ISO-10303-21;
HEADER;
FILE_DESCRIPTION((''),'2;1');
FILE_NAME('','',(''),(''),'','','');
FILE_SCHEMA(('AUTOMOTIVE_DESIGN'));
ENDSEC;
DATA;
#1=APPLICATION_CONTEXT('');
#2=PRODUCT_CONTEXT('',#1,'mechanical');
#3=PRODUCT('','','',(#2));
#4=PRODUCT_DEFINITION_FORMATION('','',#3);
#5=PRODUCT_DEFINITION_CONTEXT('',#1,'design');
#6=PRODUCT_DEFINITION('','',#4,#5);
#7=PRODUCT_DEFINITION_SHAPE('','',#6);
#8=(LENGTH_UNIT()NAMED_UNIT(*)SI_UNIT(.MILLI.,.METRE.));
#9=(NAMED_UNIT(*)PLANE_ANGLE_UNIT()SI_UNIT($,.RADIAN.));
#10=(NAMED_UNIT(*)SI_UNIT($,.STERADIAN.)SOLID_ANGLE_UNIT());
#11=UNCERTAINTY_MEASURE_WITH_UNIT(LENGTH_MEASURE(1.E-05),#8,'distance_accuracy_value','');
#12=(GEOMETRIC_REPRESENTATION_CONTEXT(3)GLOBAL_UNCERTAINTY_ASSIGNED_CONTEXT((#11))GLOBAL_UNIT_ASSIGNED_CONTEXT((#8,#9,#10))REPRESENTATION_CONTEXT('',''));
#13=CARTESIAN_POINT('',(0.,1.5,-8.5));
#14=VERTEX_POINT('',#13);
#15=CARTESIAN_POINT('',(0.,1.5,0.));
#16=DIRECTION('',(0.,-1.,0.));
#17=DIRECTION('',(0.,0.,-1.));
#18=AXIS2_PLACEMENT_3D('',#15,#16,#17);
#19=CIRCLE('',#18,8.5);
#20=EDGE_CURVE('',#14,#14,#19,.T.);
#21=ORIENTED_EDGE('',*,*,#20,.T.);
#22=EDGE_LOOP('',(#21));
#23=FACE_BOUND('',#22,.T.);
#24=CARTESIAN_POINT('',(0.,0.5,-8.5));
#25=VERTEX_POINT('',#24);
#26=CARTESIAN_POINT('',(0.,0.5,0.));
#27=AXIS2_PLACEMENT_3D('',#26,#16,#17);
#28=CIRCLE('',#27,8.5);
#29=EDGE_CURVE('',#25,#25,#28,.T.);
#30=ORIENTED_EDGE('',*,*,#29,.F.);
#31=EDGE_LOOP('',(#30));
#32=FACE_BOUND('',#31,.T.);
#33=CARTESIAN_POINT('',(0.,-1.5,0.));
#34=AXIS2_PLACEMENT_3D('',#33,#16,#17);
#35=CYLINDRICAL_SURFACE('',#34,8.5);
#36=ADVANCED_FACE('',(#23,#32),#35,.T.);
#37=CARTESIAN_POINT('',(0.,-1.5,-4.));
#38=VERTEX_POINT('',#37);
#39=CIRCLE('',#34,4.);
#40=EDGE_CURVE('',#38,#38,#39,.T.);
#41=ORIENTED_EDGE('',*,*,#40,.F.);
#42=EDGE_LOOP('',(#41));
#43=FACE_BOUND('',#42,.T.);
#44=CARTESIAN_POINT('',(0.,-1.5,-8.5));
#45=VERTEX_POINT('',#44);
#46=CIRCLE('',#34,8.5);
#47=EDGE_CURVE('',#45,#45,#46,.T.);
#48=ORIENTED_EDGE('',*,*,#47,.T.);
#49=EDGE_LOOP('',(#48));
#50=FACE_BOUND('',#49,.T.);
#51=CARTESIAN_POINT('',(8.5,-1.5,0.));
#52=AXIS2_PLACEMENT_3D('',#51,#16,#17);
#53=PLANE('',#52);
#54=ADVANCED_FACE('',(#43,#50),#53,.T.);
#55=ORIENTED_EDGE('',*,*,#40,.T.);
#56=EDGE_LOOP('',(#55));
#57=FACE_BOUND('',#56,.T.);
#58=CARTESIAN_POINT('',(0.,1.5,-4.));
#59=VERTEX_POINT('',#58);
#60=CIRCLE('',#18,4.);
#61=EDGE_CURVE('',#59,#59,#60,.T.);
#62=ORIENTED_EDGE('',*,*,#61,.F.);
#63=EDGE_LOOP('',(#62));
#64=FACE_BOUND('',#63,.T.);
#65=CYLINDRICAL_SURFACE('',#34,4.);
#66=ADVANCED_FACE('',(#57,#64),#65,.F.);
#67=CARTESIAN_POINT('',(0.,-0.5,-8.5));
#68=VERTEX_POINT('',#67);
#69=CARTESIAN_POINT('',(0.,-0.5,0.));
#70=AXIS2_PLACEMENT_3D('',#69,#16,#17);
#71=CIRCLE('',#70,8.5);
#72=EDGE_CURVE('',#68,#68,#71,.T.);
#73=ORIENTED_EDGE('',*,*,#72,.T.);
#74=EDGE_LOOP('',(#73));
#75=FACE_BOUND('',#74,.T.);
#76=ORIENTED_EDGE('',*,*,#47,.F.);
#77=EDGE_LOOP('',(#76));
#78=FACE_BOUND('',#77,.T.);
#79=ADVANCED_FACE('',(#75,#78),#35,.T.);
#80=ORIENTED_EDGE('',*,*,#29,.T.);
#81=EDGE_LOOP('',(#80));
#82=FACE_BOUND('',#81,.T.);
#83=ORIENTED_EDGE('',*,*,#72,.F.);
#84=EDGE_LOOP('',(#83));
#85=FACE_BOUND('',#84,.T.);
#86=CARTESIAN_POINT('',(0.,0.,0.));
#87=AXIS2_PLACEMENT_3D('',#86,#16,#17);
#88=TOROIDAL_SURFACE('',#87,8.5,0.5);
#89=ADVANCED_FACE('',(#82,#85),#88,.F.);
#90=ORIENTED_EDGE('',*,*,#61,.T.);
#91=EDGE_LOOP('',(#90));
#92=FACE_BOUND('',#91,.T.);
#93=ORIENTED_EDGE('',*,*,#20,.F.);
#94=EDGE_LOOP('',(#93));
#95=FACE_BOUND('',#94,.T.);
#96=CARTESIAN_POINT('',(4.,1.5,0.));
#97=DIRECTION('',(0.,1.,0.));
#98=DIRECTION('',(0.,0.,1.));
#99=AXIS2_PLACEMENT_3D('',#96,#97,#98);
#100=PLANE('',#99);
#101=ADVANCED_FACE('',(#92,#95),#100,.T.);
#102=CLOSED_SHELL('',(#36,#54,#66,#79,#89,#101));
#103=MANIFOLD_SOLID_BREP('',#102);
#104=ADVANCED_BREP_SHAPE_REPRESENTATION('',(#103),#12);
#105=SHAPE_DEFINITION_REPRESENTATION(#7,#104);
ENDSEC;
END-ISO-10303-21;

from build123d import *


with BuildPart() as part:
    # Sketch1 → Revolve1 (revolve)
    with BuildSketch(Plane.XY):
        with BuildLine():
            Line((4, 1.5), (4, -1.5))
            Line((4, -1.5), (8.5, -1.5))
            Line((8.5, -1.5), (8.5, -0.5))
            ThreePointArc((8.5, -0.5), (8, 0), (8.5, 0.5))
            Line((8.5, 0.5), (8.5, 1.5))
            Line((8.5, 1.5), (4, 1.5))
        make_face()
    revolve(axis=Axis((0, -1.5, 0), (0, 1, 0)))


solid = part.part
